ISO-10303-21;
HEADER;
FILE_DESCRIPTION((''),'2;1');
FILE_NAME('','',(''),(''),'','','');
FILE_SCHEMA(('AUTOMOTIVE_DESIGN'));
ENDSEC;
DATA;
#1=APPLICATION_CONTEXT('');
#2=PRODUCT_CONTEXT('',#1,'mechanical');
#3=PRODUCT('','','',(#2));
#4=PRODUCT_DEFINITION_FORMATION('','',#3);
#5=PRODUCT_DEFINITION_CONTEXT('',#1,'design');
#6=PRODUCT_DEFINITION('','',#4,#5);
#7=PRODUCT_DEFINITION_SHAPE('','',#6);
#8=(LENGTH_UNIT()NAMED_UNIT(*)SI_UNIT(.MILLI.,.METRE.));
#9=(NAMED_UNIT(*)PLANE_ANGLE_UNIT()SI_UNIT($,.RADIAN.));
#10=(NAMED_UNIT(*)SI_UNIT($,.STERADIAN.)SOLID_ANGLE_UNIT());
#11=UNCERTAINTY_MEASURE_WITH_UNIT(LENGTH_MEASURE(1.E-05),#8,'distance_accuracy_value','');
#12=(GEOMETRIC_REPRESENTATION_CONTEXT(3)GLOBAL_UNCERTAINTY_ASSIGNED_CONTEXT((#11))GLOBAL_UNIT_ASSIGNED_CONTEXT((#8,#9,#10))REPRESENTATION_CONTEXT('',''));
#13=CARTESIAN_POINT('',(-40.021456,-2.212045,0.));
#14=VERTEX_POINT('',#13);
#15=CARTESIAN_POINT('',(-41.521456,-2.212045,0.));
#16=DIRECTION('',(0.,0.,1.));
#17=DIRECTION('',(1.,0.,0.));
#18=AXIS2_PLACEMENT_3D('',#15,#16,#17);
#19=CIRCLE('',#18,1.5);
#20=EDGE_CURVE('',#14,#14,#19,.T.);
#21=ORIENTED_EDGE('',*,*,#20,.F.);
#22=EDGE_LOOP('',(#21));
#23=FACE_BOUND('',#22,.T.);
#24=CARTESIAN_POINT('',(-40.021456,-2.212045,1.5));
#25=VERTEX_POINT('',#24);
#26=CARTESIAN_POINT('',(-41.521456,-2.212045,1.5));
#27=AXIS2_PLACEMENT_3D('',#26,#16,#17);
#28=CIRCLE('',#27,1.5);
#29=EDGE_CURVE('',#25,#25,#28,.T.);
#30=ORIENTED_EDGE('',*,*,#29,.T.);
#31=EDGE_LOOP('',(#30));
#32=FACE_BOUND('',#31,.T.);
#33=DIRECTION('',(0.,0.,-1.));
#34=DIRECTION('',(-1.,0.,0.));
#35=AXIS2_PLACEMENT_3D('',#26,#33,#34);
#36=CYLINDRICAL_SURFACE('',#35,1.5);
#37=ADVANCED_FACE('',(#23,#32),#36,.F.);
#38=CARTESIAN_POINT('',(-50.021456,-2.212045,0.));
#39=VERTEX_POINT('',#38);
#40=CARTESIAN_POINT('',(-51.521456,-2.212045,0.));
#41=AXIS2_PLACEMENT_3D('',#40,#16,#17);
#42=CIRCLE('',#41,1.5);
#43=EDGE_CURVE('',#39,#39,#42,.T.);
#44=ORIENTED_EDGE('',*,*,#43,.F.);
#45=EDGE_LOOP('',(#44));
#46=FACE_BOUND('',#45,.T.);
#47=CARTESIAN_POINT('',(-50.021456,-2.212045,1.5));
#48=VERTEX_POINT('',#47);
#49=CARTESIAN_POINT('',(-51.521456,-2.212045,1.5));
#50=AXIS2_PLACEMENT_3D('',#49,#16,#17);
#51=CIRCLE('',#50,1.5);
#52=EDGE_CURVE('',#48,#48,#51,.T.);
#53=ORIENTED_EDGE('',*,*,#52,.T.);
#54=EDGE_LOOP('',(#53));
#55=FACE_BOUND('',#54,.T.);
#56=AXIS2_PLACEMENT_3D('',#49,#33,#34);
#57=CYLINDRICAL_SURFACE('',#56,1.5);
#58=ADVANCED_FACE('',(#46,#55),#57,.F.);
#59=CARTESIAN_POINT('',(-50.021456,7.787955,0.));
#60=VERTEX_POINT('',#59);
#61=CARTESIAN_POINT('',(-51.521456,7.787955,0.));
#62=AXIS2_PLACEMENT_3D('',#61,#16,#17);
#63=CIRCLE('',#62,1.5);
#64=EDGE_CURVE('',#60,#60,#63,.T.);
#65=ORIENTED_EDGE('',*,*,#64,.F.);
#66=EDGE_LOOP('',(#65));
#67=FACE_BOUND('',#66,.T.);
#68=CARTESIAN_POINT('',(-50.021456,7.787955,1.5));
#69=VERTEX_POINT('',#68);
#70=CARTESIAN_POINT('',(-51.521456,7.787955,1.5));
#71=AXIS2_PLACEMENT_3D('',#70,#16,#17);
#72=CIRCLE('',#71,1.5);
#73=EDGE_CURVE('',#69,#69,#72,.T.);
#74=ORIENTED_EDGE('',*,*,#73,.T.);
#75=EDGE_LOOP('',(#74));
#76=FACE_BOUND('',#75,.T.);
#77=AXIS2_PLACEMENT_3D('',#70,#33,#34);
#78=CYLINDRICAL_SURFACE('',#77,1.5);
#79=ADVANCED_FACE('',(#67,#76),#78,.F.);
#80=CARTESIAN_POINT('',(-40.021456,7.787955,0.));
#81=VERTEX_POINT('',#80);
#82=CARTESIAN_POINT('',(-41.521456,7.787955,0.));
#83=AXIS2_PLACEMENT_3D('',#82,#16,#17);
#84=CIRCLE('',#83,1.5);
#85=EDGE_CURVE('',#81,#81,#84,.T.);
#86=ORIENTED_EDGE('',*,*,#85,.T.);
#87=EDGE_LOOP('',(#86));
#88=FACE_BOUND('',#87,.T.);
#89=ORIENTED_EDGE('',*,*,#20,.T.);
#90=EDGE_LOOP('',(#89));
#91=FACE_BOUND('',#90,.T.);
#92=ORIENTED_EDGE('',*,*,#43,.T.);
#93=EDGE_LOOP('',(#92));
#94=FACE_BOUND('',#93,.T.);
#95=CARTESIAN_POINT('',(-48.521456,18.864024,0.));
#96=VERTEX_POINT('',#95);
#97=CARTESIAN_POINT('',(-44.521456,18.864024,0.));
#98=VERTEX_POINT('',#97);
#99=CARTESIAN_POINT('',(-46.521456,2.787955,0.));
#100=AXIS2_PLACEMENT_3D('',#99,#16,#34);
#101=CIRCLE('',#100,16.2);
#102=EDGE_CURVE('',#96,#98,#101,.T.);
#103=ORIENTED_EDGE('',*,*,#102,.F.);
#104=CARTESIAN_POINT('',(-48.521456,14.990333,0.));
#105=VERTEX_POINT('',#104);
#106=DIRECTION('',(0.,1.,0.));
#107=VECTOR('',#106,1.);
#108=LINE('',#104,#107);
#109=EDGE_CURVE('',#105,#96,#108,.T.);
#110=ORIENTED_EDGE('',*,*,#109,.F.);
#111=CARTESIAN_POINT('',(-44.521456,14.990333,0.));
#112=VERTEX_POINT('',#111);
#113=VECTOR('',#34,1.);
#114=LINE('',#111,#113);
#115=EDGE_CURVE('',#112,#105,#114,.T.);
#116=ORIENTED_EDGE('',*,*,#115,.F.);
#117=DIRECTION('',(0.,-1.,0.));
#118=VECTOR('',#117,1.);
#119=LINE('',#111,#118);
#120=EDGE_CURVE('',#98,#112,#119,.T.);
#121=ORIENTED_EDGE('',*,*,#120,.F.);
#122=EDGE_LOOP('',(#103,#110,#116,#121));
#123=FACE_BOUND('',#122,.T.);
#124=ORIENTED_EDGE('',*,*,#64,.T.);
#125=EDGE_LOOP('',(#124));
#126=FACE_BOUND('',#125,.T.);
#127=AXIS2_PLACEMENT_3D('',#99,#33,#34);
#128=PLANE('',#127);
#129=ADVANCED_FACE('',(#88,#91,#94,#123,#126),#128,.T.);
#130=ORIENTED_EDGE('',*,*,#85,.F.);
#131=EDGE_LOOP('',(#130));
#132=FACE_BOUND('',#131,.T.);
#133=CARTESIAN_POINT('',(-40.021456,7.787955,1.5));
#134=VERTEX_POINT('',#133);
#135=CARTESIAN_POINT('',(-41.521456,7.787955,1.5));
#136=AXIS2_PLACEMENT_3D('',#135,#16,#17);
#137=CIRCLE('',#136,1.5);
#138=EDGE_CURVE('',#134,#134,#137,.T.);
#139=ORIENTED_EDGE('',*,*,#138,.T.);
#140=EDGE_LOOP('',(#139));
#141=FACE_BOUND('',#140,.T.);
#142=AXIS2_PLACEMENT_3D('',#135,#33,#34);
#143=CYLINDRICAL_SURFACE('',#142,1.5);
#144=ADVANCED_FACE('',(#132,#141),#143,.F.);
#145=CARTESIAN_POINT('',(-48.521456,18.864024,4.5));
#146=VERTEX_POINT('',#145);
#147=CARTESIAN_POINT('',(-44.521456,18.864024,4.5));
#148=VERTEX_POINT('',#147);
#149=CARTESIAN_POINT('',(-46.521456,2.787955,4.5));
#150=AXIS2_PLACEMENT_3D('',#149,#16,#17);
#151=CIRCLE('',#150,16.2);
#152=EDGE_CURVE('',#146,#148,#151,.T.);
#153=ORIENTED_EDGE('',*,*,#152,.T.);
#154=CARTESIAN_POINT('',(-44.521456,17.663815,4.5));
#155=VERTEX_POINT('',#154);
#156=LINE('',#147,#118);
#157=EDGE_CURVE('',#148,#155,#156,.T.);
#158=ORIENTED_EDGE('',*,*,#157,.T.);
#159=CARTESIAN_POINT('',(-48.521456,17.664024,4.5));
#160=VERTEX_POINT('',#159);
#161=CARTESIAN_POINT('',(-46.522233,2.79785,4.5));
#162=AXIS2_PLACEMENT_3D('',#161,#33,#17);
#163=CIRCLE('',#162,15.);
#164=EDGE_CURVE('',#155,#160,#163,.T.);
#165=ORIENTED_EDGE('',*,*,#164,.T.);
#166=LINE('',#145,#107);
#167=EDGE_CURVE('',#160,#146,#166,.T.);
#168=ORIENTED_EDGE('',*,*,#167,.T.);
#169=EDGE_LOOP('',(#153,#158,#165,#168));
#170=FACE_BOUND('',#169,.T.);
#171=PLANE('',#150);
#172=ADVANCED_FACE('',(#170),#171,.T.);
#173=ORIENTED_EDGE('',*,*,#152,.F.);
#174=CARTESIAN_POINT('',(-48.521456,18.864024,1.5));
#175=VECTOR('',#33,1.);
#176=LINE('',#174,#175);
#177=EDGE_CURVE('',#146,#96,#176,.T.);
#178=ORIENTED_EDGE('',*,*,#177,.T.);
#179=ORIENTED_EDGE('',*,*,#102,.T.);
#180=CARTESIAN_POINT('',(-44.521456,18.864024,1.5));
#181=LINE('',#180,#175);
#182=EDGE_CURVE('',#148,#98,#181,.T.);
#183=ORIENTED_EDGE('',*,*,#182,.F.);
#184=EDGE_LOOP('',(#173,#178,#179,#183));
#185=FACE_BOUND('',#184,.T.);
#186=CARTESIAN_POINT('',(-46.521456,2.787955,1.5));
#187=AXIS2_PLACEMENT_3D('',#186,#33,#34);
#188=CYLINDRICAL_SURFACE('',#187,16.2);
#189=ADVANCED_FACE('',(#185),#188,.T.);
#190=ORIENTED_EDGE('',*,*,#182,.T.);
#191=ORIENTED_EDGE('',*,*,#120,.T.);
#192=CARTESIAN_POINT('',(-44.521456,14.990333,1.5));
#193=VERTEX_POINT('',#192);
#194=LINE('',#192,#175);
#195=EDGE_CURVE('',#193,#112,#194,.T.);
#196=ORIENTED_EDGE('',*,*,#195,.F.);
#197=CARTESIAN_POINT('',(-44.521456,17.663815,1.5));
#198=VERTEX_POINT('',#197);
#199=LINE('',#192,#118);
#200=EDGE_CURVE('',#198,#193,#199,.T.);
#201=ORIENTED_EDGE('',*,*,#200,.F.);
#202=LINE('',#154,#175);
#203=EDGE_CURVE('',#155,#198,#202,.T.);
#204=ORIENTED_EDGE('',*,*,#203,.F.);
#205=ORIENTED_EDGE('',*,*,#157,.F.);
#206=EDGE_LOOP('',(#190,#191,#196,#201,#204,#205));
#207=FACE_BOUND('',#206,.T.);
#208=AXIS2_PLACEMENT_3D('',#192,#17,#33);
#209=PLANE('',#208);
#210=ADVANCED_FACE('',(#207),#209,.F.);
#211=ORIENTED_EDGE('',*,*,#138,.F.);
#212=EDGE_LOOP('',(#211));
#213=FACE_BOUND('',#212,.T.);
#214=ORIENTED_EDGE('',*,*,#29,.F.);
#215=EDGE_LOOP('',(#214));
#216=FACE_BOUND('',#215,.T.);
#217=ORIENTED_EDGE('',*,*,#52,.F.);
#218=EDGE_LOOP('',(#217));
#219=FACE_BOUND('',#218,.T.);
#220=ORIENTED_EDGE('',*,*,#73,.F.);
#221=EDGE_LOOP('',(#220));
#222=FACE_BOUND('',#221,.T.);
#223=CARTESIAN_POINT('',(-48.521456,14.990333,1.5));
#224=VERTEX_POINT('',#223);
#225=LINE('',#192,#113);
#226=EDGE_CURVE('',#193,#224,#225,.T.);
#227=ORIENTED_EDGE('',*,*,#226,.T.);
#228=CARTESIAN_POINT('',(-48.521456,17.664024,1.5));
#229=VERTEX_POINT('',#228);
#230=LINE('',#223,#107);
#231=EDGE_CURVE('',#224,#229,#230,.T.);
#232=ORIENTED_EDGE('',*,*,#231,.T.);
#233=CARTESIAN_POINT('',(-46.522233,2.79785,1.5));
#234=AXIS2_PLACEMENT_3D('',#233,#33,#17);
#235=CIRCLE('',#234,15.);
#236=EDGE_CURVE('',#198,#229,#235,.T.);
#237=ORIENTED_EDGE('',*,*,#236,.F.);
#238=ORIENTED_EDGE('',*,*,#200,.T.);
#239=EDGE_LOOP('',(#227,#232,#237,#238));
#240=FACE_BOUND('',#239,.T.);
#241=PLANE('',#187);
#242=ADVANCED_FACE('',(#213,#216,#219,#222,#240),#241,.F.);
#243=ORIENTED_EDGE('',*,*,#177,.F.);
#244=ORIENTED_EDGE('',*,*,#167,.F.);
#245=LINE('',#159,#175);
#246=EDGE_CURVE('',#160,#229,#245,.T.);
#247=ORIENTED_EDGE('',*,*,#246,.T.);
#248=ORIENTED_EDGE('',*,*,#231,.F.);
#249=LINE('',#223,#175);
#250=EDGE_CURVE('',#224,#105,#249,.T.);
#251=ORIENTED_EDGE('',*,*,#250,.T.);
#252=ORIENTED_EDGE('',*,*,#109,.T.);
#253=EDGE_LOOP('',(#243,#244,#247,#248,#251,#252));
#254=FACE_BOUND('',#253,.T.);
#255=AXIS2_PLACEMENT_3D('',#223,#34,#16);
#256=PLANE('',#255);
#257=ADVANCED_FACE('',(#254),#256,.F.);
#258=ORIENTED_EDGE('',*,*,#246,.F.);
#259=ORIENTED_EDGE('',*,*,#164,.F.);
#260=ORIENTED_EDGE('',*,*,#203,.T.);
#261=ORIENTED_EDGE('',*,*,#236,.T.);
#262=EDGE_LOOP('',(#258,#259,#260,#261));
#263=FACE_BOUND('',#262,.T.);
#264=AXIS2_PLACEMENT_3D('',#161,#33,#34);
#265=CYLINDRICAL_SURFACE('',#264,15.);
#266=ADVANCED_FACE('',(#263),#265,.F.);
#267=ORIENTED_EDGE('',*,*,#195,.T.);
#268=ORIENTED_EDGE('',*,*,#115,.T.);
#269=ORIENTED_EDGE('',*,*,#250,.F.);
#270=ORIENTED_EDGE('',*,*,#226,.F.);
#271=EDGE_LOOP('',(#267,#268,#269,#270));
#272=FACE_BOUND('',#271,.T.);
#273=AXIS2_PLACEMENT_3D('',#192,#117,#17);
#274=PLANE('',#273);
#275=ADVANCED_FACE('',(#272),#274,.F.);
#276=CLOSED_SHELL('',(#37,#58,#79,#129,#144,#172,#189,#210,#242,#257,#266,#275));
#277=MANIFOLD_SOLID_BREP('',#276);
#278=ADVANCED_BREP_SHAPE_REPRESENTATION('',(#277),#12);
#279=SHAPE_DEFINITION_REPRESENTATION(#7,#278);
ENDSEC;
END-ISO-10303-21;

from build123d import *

# Parameters (mm, degrees)
CROQUIS1_R              = 1.5
SALIENTE_EXTRUIR1_DEPTH = 1.5
SALIENTE_EXTRUIR2_DEPTH = 3


with BuildPart() as part:
    # Croquis1 → Saliente-Extruir1 (new body)
    with BuildSketch(Plane.XY):
        with BuildLine():
            Line((-48.521455966, 14.990333384), (-48.521455966, 18.864023727))
            ThreePointArc((-48.521455966, 18.864023727), (-46.521455966, -13.412045444), (-44.521455966, 18.864023727))
            Line((-44.521455966, 18.864023727), (-44.521455966, 14.990333384))
            Line((-44.521455966, 14.990333384), (-48.521455966, 14.990333384))
        make_face()
        with Locations((-41.521455966, -2.212045444)):
            Circle(CROQUIS1_R, mode=Mode.SUBTRACT)
        with Locations((-51.521455966, -2.212045444)):
            Circle(CROQUIS1_R, mode=Mode.SUBTRACT)
        with Locations((-51.521455966, 7.787954556)):
            Circle(CROQUIS1_R, mode=Mode.SUBTRACT)
        with Locations((-41.521455966, 7.787954556)):
            Circle(CROQUIS1_R, mode=Mode.SUBTRACT)
    extrude(amount=SALIENTE_EXTRUIR1_DEPTH)

    # Croquis2 → Saliente-Extruir2 (add)
    with BuildSketch(Plane.XY.offset(1.5)):
        with BuildLine():
            Line((-48.521455966, 18.864023727), (-48.521455966, 17.664023727))
            ThreePointArc((-48.521455966, 17.664023727), (-46.523016697, -12.202149494), (-44.521455966, 17.663814696))
            Line((-44.521455966, 17.663814696), (-44.521455966, 18.864023727))
            ThreePointArc((-44.521455966, 18.864023727), (-46.521455966, -13.412045444), (-48.521455966, 18.864023727))
        make_face()
    extrude(amount=SALIENTE_EXTRUIR2_DEPTH)


solid = part.part
